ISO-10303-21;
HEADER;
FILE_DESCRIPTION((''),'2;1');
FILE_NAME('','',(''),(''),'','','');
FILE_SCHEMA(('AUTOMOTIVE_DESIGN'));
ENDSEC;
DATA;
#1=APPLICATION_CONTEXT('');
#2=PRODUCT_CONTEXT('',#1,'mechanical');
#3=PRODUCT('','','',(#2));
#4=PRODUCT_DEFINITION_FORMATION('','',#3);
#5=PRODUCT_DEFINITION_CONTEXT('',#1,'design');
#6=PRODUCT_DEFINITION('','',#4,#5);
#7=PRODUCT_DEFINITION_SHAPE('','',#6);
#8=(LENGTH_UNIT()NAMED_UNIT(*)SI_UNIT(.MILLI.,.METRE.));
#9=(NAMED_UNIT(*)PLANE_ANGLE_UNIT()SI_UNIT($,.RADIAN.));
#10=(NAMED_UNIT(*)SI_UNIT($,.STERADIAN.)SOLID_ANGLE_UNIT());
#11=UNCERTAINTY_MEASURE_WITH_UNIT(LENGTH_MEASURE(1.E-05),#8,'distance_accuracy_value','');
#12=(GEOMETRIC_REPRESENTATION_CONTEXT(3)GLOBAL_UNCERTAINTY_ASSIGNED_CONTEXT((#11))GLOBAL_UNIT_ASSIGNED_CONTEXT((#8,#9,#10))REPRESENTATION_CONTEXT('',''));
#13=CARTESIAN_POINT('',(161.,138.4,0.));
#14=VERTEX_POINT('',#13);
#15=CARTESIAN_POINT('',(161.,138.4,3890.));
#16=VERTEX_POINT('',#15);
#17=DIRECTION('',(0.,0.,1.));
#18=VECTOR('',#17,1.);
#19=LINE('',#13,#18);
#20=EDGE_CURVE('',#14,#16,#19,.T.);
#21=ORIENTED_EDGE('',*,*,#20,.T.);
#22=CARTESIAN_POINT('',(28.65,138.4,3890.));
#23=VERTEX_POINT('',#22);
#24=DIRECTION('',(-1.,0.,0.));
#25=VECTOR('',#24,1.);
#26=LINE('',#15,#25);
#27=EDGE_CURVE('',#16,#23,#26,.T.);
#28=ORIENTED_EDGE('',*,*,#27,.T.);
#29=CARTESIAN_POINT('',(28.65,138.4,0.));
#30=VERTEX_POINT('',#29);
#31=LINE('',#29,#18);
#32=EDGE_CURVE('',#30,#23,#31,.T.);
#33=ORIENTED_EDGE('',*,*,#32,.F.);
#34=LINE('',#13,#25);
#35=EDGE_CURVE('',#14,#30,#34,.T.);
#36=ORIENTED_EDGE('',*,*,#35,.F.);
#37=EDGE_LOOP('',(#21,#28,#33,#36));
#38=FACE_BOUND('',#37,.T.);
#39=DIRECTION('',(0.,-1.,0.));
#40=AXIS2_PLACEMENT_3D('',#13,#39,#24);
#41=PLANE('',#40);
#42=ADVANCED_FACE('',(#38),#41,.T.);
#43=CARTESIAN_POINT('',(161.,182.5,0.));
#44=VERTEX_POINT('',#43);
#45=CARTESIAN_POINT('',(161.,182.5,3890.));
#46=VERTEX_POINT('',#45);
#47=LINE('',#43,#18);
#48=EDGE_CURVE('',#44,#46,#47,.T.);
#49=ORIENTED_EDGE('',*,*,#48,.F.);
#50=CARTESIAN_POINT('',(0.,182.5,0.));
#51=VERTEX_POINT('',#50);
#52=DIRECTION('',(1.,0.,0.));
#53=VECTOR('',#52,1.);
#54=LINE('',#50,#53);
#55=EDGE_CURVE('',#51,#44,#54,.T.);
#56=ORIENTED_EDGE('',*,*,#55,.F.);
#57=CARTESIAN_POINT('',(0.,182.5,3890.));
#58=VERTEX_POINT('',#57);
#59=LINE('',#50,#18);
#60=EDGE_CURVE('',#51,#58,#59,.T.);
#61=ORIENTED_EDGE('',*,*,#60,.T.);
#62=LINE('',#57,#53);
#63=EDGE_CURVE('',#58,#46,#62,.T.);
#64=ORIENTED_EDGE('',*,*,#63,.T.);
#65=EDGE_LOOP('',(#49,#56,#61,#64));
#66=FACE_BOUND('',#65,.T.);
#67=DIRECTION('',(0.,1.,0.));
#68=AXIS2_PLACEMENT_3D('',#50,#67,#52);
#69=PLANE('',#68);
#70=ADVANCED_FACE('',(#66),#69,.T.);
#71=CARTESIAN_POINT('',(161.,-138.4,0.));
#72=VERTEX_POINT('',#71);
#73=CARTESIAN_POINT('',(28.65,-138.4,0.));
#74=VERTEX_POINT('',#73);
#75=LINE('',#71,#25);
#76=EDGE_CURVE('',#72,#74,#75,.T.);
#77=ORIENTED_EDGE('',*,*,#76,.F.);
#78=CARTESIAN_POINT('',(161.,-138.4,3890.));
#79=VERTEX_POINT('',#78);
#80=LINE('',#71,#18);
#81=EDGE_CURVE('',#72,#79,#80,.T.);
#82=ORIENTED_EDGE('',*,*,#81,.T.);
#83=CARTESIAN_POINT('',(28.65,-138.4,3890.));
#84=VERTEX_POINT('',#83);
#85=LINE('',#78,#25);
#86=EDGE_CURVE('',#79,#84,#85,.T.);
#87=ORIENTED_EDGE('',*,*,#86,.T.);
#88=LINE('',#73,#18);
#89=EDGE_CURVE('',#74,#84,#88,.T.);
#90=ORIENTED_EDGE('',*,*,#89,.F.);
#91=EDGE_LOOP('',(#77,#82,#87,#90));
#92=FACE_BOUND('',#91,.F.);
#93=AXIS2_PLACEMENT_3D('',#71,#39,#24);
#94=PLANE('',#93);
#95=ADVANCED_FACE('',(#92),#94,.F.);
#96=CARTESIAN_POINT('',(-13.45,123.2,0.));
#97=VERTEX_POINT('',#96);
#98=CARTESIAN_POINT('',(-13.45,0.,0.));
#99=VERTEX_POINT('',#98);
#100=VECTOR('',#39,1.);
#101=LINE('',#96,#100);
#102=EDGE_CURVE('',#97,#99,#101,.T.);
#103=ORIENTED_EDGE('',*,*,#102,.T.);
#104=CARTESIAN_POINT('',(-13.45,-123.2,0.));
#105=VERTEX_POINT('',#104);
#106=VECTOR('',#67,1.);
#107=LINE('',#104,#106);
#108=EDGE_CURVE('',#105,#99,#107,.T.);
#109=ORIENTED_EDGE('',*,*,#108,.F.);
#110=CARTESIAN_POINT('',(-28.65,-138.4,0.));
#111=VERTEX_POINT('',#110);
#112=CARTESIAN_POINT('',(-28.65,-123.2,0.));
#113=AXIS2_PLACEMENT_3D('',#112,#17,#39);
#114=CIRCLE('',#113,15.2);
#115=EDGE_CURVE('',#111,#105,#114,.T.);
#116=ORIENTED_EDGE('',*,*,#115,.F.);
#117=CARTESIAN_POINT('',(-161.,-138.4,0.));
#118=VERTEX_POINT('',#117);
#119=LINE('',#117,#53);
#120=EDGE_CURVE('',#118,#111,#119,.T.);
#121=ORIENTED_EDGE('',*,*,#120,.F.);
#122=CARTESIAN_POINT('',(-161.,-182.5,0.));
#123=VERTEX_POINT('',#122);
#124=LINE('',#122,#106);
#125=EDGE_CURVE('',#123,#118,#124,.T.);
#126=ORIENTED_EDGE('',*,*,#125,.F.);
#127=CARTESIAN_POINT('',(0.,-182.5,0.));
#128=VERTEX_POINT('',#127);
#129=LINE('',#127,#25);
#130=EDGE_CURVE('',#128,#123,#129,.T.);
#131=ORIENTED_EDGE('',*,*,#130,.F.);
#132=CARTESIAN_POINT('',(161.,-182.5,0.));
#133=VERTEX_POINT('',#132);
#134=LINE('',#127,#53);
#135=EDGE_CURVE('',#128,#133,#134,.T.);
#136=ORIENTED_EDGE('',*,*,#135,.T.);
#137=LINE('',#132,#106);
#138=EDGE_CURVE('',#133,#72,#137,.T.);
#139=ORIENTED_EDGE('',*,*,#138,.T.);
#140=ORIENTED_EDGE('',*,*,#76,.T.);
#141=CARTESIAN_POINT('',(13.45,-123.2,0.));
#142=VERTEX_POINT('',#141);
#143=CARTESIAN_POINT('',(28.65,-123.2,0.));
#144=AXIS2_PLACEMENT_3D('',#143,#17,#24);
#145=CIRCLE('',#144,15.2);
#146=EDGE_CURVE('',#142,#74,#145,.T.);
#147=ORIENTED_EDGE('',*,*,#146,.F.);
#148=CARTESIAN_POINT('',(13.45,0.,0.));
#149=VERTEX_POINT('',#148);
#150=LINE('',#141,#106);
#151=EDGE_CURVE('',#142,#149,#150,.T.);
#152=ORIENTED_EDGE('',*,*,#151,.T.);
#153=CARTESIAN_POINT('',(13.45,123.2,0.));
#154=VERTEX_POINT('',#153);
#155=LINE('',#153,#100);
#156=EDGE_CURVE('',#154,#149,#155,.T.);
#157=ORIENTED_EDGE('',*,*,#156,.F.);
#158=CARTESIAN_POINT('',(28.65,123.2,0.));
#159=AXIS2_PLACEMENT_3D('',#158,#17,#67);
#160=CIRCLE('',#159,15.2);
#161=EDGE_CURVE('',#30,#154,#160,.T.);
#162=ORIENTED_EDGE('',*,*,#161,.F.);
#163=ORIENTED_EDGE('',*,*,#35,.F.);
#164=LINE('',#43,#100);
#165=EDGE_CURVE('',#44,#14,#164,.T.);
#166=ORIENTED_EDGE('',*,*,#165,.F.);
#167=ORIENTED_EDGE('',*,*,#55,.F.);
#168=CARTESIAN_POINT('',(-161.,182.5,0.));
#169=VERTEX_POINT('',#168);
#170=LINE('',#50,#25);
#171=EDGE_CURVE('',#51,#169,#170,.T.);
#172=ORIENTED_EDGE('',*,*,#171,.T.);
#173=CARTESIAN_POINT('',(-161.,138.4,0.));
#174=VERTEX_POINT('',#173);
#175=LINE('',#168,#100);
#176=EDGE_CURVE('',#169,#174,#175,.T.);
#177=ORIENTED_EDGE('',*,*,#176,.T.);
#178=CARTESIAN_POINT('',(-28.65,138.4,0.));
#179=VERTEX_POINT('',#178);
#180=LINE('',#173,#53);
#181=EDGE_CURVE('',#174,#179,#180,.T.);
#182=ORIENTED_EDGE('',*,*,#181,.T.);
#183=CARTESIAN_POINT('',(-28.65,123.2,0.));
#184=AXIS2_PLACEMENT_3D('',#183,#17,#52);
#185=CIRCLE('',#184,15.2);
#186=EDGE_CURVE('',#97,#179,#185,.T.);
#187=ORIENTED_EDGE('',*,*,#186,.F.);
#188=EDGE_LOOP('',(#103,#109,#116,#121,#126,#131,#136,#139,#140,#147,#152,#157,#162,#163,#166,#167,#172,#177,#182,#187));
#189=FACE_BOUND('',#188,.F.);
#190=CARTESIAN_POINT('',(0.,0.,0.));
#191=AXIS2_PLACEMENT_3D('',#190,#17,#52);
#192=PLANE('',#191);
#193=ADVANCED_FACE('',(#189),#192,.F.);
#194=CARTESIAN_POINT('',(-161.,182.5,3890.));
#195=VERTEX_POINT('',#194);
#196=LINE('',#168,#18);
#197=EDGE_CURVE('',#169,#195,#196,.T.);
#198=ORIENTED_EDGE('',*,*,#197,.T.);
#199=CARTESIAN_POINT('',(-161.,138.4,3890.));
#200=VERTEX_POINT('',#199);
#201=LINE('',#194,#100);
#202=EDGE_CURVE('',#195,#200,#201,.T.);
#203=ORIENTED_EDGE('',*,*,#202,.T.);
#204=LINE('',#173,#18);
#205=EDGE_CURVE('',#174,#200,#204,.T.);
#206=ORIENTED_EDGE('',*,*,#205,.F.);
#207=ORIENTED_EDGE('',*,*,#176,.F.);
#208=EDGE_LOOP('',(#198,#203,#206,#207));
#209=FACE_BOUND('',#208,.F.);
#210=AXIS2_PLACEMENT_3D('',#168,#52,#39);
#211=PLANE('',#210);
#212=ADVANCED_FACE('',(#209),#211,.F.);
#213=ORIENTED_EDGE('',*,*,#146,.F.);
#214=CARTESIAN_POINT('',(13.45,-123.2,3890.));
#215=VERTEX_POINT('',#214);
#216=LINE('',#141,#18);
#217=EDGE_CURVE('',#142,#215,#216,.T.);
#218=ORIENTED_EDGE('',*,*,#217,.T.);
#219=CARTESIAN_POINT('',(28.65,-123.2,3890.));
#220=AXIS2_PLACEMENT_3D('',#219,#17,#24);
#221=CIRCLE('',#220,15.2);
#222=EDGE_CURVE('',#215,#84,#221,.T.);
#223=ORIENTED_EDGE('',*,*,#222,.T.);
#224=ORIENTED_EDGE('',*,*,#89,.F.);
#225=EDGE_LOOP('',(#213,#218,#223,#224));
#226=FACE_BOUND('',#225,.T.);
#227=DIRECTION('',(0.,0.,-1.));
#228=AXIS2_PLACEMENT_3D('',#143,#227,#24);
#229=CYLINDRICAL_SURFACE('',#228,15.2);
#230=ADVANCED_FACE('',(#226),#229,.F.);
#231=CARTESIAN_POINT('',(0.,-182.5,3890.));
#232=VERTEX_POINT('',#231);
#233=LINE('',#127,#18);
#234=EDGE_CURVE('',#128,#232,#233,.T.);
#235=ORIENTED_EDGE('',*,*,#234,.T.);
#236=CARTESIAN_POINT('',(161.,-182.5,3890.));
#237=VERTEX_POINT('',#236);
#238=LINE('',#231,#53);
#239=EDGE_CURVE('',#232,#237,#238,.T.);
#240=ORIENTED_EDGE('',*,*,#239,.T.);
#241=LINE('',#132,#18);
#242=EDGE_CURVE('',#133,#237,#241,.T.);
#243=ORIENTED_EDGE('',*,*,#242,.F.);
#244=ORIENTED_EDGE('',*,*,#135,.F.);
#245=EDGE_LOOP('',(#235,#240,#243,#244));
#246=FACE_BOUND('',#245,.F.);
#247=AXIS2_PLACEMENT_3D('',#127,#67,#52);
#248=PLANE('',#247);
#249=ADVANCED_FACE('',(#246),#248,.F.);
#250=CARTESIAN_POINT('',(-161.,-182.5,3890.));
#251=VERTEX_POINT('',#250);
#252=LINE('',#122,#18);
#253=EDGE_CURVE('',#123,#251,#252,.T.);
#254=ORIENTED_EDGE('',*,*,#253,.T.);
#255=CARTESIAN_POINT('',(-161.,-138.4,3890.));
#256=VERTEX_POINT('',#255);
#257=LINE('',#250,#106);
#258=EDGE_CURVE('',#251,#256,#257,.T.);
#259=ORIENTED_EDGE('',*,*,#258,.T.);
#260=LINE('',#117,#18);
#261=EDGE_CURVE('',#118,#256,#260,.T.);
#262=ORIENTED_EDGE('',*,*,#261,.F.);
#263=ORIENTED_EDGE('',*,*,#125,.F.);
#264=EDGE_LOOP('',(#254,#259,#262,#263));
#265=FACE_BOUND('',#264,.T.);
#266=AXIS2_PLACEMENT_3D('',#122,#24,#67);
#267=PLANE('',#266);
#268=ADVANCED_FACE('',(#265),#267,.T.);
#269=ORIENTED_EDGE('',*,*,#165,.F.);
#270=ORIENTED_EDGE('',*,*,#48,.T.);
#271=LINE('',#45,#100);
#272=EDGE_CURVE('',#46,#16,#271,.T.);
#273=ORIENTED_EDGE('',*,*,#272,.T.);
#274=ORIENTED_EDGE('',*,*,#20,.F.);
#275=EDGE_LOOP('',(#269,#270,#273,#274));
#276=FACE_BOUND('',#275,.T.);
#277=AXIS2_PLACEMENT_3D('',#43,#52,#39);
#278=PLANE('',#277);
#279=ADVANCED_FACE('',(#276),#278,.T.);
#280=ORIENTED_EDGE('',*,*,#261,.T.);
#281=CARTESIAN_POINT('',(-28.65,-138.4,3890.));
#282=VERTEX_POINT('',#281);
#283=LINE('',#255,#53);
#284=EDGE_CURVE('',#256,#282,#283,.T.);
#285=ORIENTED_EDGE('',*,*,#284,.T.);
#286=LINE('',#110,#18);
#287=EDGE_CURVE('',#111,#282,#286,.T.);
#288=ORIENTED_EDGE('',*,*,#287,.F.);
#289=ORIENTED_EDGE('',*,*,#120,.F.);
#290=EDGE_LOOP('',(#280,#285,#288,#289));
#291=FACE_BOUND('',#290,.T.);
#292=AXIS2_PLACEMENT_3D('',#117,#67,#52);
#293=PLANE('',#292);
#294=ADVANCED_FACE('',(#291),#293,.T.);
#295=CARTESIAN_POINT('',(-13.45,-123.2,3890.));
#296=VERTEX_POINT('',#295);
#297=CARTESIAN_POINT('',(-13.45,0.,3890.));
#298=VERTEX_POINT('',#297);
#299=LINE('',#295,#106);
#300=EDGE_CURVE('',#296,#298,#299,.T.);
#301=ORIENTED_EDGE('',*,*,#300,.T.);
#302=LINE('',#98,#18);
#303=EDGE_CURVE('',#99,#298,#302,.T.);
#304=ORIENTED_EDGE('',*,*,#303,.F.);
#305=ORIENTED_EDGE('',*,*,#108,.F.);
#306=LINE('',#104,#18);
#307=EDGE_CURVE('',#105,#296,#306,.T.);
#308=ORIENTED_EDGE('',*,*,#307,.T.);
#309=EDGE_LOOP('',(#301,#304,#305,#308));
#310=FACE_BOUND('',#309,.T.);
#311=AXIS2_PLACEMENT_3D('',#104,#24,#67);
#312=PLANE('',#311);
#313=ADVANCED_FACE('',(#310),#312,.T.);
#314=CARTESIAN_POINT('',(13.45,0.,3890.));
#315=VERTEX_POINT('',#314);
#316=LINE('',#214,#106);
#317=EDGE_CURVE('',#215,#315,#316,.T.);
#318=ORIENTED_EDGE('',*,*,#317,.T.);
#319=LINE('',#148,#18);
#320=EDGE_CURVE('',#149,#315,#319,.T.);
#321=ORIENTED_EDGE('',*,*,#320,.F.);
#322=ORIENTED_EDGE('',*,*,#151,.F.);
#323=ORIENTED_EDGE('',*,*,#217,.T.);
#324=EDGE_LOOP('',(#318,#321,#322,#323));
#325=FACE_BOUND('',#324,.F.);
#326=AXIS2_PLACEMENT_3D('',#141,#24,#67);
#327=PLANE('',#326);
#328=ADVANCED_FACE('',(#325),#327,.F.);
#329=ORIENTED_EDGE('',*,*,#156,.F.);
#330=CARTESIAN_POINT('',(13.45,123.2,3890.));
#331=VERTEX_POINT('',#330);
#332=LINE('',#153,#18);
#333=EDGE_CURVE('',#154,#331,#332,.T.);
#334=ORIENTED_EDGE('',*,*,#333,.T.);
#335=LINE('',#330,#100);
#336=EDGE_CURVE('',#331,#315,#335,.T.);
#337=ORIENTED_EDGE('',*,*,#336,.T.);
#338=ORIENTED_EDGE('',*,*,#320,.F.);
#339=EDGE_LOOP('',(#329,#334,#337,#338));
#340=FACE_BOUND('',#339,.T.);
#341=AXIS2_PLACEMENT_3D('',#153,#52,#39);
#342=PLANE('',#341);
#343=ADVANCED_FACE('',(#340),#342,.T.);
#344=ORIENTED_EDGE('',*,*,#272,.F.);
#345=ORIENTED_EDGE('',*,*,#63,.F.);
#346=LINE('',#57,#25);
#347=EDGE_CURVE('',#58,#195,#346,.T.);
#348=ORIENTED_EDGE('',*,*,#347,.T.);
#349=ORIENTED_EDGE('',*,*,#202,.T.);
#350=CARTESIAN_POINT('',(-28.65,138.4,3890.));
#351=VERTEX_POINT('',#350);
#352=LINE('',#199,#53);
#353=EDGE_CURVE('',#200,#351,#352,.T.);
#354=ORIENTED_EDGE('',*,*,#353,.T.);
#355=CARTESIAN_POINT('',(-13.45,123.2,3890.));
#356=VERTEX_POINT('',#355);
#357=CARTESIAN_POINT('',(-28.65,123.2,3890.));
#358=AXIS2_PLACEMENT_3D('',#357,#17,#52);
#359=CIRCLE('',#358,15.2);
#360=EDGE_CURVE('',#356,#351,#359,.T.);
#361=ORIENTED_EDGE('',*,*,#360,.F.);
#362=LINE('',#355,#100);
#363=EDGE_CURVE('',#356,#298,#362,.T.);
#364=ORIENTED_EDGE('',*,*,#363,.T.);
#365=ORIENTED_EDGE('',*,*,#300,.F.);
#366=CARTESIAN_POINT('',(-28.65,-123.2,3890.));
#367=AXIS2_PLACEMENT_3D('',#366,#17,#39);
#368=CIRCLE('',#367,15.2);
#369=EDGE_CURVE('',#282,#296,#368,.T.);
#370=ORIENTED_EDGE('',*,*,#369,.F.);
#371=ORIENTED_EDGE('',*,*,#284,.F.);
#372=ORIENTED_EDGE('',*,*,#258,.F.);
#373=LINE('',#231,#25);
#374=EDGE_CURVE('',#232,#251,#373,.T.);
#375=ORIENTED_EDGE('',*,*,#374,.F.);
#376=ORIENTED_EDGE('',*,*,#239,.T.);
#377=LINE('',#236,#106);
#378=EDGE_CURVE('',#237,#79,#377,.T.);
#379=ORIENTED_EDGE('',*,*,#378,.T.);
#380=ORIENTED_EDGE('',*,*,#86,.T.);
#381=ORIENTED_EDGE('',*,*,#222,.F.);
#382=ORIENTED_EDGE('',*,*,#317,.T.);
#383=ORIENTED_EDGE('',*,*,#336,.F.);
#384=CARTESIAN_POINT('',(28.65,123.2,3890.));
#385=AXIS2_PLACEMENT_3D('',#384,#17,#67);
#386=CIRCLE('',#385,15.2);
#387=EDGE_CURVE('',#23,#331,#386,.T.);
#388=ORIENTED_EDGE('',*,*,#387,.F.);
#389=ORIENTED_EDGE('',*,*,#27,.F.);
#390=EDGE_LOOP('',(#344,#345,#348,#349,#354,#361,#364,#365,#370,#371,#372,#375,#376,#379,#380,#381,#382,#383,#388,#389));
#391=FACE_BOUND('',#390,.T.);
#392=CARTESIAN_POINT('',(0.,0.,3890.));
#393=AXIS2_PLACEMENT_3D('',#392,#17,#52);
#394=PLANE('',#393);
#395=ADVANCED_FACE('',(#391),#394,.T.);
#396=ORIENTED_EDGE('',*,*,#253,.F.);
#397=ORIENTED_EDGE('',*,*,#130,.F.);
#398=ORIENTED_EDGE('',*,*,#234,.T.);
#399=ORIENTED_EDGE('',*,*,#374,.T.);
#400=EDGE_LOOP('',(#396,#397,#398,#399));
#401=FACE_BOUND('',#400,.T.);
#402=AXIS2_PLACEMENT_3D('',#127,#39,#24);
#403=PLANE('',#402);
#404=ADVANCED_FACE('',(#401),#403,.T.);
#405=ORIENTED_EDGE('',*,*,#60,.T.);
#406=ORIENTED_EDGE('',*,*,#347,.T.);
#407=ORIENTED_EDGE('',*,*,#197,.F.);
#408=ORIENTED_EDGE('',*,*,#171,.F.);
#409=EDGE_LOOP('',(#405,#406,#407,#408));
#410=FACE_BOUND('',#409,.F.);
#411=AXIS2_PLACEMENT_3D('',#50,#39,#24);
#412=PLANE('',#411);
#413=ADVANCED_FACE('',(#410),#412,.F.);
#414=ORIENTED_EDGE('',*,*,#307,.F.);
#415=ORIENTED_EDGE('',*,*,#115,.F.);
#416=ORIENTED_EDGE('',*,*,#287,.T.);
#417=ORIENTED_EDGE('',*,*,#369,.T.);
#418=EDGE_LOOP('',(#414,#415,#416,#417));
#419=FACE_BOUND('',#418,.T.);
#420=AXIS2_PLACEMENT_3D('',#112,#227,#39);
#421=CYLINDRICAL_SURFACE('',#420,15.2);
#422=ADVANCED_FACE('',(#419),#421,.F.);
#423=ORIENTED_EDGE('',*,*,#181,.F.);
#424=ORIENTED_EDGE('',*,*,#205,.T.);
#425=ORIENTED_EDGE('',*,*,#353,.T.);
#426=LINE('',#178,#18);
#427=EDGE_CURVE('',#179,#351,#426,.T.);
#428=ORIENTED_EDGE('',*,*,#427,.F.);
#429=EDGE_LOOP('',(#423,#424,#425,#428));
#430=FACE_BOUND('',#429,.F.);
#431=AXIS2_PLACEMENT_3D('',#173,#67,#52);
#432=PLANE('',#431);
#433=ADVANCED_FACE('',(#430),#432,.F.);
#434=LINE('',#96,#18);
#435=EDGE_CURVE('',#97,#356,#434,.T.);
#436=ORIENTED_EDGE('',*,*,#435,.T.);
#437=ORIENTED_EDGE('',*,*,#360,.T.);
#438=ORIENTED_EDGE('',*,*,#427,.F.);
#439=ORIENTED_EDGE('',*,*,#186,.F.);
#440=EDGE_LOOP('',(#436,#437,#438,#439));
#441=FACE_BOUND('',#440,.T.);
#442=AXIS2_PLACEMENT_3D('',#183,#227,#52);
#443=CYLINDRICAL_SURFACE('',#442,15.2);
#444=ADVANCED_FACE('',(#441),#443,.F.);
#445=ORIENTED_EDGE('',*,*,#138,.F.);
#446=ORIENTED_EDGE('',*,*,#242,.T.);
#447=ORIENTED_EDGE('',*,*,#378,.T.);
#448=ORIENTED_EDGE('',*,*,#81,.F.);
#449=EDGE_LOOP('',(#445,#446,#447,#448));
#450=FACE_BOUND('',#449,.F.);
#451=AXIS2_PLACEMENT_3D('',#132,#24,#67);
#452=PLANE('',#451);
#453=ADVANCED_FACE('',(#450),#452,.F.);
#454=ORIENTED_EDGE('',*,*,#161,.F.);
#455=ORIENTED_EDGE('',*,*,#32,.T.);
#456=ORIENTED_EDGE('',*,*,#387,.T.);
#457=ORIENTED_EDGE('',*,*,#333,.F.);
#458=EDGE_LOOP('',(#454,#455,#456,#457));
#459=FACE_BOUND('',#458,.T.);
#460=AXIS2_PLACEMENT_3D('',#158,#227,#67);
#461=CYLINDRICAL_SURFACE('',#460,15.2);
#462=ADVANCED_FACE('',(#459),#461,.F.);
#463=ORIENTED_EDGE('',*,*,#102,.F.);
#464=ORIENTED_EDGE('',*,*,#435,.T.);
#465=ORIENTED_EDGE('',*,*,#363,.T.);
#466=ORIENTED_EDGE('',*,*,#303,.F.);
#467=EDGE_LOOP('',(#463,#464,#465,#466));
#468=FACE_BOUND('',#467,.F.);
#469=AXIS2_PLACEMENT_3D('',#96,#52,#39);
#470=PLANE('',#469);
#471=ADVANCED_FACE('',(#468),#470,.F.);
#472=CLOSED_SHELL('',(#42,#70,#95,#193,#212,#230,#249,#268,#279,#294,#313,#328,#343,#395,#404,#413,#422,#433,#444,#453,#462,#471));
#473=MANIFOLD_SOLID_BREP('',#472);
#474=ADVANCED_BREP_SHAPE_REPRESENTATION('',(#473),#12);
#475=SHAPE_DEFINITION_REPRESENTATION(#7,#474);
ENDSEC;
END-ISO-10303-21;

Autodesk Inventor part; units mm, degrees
ref_plane "YZ Plane" through (0, 0, 0) normal (1, 0, 0) x (0, 1, 0)
ref_plane "Start plane" through (0, 0, 0) normal (0, 0, 1) x (1, 0, 0)
ref_plane "End plane" through (0, 0, 3890) normal (0, 0, 1) x (1, 0, 0)
sketch "Sketch" plane through (0, 0, 0) normal (0, 0, 1) x (1, 0, 0)
  line L0 (-161, -182.5) -> (-161, -138.4)
  line L1 (-161, -138.4) -> (-28.65, -138.4)
  line L2 (-13.45, -123.2) -> (-13.45, 0)
  line L3 (-13.45, 0) -> (0, 0) construction
  line L4 (0, 0) -> (0, -182.5) construction
  line L5 (0, -182.5) -> (-161, -182.5)
  line L6 (-60, 0) -> (80, 0) construction
  line L7 (0, -60) -> (0, 80) construction
  line L8 (161, -182.5) -> (161, -138.4)
  line L9 (161, -138.4) -> (28.65, -138.4)
  line L10 (13.45, -123.2) -> (13.45, 0)
  line L11 (13.45, 0) -> (0, 0) construction
  line L12 (0, -182.5) -> (161, -182.5)
  line L13 (-161, 182.5) -> (-161, 138.4)
  line L14 (-161, 138.4) -> (-28.65, 138.4)
  line L15 (-13.45, 123.2) -> (-13.45, 0)
  line L16 (0, 182.5) -> (-161, 182.5)
  line L17 (161, 182.5) -> (161, 138.4)
  line L18 (161, 138.4) -> (28.65, 138.4)
  line L19 (0, 182.5) -> (161, 182.5)
  line L20 (13.45, 123.2) -> (13.45, 0)
  arc A0 (-13.45, 123.2) -> (-28.65, 138.4) centre (-28.65, 123.2) ccw
  arc A1 (28.65, 138.4) -> (13.45, 123.2) centre (28.65, 123.2) ccw
  arc A2 (13.45, -123.2) -> (28.65, -138.4) centre (28.65, -123.2) ccw
  arc A3 (-28.65, -138.4) -> (-13.45, -123.2) centre (-28.65, -123.2) ccw
  line L21 (0, 108) -> (0, -88) construction
  line L22 (-88, 0) -> (108, 0) construction
  point P0 (-13.45, -138.4)
  point P1 (13.45, -138.4)
  point P2 (-13.45, 138.4)
  point P3 (13.45, 138.4)
  dimension "d1" = 182.5
  dimension "d2" = 44.1
  dimension "d3" = 161
  dimension "d4" = 13.45
  dimension "d10" = 15.2
extrude "Body" add sketch "Sketch" along normal up to surface (3890 mm away) from surface at 0
sketch "Sketch4" plane through (0, 0, 0) normal (0, 0, 1) x (1, 0, 0)
  line L0 (0, 0) -> (10, 0)
ref_plane "Work Plane3" through (0, 0, 0) normal (0, -1, 0) x (1, 0, 0)
sketch "Sketch5" plane through (0, 0, 0) normal (0, -1, 0) x (1, 0, 0)
  line L0 (-2, 0) -> (12, 0) projected
  line L1 (-2, 3890) -> (12, 3890) projected
  dimension "d14" = 3890
equation "\"d1\" = 0.5 * G_H"
equation "\"d2\" = G_T1"
equation "\"d3\" = 0.5 * G_W"
equation "\"d4\" = 0.5 * G_T"
equation "\"d10\" = G_IR"
equation "\"d5\" = G_L"
equation "\"G_W\" = 322"
equation "\"G_H\" = 365"
equation "\"G_T\" = 26.9"
equation "\"G_T1\" = 44.1"
equation "\"G_IR\" = 15.2"
equation "\"G_L\" = d14"
equation "\"G_OFFSET_START\" = 0"
equation "\"G_OFFSET_END\" = 0"
properties part number "AS 3679 - 310 UC - 283 - 3890" material "Steel, Mild"
